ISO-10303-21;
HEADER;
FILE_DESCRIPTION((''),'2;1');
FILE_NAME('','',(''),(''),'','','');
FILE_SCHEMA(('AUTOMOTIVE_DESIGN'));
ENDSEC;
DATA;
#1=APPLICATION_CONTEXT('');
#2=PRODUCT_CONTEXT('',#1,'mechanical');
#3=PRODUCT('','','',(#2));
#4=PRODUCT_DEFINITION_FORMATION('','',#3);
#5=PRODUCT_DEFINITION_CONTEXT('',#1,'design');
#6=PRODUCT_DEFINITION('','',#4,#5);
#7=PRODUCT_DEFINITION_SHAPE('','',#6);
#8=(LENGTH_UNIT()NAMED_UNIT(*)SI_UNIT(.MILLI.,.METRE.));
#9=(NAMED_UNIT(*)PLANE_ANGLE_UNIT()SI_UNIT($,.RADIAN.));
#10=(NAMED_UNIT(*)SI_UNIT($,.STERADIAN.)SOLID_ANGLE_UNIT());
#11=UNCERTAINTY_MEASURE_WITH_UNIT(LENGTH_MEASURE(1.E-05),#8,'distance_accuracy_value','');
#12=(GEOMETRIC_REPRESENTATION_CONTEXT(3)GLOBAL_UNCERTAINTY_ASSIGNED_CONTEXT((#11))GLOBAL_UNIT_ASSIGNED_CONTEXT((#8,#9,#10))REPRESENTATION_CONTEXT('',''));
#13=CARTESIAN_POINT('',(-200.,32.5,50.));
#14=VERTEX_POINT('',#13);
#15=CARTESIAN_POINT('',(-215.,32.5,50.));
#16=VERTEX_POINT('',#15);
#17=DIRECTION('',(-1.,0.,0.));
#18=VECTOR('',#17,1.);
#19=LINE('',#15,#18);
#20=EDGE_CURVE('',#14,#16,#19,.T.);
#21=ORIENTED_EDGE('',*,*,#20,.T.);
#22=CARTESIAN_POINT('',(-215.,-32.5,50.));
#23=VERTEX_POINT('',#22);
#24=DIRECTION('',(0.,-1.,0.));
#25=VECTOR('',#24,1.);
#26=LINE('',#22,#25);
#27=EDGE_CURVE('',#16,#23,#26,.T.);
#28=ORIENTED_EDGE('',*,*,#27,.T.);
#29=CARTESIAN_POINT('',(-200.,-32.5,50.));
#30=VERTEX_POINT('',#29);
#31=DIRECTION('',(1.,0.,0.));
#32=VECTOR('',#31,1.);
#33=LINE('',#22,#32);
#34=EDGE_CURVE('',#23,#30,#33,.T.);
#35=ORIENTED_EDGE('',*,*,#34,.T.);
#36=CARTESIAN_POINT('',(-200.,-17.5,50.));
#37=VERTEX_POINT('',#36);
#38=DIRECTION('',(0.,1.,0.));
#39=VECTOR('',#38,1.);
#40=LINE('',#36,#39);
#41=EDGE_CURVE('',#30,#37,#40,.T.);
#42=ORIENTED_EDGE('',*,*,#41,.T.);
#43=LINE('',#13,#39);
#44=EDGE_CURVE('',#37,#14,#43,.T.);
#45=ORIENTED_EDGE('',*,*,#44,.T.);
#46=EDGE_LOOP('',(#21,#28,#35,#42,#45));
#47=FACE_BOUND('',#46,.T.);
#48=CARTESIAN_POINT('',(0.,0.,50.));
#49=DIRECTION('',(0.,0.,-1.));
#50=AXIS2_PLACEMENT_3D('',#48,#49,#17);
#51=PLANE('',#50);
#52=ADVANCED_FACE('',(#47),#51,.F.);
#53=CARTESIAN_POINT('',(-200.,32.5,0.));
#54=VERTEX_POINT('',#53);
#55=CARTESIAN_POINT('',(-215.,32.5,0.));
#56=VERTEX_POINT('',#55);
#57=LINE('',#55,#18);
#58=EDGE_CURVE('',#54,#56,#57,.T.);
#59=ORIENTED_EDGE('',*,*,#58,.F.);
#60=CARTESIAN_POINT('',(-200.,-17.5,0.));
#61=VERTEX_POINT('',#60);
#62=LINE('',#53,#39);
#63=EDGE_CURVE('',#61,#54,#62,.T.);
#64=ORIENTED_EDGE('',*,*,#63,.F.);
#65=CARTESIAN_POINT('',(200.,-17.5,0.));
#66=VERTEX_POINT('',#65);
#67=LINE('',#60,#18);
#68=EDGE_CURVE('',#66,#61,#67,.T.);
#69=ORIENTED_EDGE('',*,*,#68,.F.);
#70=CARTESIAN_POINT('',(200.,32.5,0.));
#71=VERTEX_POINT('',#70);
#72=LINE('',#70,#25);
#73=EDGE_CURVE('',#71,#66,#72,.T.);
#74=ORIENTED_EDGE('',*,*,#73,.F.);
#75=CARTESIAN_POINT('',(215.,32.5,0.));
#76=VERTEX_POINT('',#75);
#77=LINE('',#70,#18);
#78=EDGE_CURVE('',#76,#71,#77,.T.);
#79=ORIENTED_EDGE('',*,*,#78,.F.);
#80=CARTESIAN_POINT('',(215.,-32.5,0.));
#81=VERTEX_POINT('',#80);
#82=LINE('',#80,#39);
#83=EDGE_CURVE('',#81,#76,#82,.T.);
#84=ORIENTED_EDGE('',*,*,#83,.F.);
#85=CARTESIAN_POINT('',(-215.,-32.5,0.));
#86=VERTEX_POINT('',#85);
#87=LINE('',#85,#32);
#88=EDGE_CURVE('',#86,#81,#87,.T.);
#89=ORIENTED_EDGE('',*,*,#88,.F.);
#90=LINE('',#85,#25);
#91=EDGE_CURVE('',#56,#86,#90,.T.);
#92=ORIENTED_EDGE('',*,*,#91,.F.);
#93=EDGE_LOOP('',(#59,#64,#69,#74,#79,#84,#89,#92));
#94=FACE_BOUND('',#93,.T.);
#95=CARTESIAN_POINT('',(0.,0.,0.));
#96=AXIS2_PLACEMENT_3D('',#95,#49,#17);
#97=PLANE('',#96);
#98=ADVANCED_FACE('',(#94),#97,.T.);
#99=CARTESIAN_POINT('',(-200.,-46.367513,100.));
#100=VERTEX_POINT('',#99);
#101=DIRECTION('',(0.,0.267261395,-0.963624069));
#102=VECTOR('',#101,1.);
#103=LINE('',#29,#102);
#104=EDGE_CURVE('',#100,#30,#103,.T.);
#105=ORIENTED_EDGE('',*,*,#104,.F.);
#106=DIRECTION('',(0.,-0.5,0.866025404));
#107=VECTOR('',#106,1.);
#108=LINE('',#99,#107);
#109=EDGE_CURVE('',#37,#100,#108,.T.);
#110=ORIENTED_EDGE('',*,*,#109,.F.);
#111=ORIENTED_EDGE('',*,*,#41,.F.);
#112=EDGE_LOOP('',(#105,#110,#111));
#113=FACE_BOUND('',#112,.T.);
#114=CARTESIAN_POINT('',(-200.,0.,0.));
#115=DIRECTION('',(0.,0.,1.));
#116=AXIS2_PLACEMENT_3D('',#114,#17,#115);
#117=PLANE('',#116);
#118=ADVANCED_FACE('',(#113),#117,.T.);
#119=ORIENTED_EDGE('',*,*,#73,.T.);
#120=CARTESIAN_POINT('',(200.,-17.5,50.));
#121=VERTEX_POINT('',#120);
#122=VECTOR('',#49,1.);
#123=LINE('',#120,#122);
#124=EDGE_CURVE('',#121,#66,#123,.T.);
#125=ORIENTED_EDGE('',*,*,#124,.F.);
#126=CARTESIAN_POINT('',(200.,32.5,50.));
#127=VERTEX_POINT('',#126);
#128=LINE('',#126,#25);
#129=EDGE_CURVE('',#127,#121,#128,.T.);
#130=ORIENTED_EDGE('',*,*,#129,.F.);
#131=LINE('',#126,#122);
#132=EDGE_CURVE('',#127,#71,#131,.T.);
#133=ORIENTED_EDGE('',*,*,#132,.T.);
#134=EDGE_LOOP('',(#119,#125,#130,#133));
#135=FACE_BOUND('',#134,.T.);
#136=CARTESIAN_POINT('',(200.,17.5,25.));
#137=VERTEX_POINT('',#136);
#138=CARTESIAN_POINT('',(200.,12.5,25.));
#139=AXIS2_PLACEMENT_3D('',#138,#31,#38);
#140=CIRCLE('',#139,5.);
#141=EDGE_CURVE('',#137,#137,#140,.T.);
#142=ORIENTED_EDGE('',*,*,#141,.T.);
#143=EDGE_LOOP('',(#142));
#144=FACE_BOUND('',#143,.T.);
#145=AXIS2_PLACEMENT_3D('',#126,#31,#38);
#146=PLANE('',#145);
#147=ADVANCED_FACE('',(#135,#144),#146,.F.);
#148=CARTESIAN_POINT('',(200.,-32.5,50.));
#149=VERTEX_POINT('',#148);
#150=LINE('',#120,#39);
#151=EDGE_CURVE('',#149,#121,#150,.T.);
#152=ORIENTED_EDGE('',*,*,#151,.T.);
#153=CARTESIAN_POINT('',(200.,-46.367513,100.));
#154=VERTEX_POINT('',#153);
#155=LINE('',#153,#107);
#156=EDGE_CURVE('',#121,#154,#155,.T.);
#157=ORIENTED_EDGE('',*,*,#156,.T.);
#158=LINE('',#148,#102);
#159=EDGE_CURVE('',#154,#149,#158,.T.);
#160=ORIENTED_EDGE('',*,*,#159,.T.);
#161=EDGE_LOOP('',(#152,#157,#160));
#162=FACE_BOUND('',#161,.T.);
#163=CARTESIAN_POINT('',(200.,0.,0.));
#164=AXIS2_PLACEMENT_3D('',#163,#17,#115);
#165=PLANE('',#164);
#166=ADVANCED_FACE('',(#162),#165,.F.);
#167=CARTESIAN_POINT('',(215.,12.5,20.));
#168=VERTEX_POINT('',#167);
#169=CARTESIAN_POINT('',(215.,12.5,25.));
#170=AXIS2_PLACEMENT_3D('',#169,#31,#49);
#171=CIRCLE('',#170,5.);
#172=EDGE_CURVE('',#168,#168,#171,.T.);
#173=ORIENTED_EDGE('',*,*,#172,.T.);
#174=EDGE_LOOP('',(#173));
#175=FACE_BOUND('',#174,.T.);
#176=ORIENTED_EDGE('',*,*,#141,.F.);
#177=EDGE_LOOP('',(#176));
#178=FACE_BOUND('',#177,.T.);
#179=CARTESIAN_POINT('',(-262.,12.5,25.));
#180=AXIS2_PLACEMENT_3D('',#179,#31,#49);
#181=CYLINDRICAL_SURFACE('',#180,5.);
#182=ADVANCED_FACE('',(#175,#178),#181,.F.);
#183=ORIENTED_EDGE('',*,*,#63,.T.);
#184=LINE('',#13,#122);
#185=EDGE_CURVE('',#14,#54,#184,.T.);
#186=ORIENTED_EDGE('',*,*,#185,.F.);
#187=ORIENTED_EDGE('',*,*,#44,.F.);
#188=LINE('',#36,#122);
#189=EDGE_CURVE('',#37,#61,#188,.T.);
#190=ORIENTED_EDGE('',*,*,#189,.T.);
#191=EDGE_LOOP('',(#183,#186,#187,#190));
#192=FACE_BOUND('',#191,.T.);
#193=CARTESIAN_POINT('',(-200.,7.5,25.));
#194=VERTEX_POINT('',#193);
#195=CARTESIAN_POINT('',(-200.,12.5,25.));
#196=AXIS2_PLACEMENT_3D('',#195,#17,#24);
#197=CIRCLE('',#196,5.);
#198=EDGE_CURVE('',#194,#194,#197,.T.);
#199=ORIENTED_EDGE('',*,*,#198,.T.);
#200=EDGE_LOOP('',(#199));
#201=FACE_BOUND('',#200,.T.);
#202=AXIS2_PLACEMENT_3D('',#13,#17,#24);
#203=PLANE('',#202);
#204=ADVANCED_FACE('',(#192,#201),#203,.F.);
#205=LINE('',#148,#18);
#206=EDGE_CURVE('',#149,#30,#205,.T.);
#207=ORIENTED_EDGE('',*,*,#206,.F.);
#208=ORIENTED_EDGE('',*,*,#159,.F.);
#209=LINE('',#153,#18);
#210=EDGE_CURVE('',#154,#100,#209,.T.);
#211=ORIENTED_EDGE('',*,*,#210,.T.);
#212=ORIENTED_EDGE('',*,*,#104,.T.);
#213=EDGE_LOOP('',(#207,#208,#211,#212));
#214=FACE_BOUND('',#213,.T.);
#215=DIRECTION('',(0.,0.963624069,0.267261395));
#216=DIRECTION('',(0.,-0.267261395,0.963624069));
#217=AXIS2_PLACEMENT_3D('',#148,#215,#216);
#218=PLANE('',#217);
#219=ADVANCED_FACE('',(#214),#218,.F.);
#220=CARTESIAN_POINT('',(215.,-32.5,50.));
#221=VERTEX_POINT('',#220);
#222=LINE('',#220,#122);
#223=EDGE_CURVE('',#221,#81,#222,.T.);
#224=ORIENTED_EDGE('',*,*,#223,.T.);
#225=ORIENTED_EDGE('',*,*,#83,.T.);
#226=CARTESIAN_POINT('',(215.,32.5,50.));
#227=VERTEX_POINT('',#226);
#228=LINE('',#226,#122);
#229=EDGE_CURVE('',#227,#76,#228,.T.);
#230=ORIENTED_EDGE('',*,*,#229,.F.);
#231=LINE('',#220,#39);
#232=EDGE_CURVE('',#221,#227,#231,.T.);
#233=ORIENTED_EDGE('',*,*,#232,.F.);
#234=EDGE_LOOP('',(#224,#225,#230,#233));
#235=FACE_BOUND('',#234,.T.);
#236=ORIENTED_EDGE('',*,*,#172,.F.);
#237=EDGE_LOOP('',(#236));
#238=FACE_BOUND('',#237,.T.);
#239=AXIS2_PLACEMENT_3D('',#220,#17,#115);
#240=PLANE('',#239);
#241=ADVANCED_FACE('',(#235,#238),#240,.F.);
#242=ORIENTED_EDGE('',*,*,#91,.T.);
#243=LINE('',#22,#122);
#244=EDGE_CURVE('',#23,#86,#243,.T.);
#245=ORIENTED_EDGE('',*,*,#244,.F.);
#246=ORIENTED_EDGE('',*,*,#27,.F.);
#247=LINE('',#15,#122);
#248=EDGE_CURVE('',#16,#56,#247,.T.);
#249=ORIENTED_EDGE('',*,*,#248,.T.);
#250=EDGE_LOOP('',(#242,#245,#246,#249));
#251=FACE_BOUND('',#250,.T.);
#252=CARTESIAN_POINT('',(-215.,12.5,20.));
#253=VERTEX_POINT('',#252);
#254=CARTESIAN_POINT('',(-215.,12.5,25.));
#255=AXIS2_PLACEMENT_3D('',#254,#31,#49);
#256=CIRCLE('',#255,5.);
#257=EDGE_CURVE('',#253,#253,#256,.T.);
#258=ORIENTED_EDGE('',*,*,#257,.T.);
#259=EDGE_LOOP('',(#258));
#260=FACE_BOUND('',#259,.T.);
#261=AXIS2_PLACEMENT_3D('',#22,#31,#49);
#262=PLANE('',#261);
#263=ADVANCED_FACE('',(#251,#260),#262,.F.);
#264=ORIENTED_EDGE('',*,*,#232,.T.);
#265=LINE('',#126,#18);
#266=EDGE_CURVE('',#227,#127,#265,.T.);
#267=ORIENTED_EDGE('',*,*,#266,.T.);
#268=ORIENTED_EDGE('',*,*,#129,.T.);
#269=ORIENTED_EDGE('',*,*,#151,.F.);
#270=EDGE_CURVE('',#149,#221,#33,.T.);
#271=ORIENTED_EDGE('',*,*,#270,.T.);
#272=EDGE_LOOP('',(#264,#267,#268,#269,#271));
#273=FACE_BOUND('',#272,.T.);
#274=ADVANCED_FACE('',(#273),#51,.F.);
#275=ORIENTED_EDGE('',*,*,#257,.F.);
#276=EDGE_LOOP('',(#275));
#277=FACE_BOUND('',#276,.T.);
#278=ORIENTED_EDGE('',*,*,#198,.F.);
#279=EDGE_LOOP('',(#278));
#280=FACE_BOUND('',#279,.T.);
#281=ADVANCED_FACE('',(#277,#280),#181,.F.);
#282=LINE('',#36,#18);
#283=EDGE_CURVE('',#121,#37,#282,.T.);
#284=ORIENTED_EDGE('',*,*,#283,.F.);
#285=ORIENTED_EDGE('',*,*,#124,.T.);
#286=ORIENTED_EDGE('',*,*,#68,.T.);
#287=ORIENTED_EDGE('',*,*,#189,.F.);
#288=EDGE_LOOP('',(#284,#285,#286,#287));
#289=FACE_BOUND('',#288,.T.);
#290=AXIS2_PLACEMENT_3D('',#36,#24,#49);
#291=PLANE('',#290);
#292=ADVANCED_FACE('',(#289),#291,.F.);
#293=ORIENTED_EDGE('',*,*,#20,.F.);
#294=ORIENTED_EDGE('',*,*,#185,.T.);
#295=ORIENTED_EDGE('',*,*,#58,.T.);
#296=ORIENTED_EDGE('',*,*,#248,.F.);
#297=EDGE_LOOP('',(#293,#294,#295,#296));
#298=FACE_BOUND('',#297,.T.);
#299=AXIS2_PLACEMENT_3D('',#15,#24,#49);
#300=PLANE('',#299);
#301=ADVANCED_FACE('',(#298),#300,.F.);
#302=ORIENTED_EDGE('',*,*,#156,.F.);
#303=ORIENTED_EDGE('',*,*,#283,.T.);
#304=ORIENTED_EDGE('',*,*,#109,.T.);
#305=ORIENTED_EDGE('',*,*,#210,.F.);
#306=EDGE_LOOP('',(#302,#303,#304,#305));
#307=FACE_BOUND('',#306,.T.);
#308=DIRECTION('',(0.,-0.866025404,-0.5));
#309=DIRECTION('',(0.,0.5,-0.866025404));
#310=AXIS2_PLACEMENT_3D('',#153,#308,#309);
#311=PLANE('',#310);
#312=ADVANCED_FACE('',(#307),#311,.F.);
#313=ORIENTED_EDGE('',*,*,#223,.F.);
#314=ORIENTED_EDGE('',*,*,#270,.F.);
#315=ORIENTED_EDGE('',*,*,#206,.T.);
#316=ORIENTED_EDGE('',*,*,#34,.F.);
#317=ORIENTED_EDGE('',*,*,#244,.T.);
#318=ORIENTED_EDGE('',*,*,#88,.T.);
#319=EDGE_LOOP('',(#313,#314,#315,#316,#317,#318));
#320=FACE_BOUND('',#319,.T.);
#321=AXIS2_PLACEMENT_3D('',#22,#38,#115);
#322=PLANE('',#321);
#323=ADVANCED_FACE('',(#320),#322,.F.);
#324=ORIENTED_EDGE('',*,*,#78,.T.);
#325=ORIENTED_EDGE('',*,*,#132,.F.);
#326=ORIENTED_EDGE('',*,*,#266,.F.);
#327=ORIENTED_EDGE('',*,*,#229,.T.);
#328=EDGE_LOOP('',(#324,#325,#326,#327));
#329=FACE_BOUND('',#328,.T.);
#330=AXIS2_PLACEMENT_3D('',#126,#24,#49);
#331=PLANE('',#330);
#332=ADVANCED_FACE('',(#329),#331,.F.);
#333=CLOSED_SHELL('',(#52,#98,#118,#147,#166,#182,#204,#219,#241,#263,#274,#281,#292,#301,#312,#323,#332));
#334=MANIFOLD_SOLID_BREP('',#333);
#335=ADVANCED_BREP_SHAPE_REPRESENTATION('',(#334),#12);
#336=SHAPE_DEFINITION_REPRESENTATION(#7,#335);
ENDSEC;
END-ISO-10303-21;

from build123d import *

# Parameters (mm, degrees)
BOSS_EXTRUDE1_DEPTH = 50
SKETCH2_R           = 5
CUT_EXTRUDE1_DEPTH  = 477
BOSS_EXTRUDE2_DEPTH = 200


with BuildPart() as part:
    # Sketch1 → Boss-Extrude1 (new body)
    with BuildSketch(Plane.XY):
        Polygon((200, 32.5), (215, 32.5), (215, -32.5), (-215, -32.5), (-215, 32.5), (-200, 32.5), (-200, -17.5), (200, -17.5), align=None)
    extrude(amount=BOSS_EXTRUDE1_DEPTH)

    # Sketch2 → Cut-Extrude1 (cut)
    with BuildSketch(Plane(origin=(215, 0, 0), x_dir=(0, 0, -1), z_dir=(1, 0, 0))):
        with Locations((-25, 12.5)):
            Circle(SKETCH2_R)
    extrude(amount=-CUT_EXTRUDE1_DEPTH, mode=Mode.SUBTRACT)

    # Sketch3 → Boss-Extrude2 (add, symmetric)
    with BuildSketch(Plane(origin=(0, 0, 0), x_dir=(0, 0, -1), z_dir=(1, 0, 0))):
        Polygon((-50, -32.5), (-100, -46.367513459), (-50, -17.5), align=None)
    extrude(amount=BOSS_EXTRUDE2_DEPTH, both=True)


solid = part.part
